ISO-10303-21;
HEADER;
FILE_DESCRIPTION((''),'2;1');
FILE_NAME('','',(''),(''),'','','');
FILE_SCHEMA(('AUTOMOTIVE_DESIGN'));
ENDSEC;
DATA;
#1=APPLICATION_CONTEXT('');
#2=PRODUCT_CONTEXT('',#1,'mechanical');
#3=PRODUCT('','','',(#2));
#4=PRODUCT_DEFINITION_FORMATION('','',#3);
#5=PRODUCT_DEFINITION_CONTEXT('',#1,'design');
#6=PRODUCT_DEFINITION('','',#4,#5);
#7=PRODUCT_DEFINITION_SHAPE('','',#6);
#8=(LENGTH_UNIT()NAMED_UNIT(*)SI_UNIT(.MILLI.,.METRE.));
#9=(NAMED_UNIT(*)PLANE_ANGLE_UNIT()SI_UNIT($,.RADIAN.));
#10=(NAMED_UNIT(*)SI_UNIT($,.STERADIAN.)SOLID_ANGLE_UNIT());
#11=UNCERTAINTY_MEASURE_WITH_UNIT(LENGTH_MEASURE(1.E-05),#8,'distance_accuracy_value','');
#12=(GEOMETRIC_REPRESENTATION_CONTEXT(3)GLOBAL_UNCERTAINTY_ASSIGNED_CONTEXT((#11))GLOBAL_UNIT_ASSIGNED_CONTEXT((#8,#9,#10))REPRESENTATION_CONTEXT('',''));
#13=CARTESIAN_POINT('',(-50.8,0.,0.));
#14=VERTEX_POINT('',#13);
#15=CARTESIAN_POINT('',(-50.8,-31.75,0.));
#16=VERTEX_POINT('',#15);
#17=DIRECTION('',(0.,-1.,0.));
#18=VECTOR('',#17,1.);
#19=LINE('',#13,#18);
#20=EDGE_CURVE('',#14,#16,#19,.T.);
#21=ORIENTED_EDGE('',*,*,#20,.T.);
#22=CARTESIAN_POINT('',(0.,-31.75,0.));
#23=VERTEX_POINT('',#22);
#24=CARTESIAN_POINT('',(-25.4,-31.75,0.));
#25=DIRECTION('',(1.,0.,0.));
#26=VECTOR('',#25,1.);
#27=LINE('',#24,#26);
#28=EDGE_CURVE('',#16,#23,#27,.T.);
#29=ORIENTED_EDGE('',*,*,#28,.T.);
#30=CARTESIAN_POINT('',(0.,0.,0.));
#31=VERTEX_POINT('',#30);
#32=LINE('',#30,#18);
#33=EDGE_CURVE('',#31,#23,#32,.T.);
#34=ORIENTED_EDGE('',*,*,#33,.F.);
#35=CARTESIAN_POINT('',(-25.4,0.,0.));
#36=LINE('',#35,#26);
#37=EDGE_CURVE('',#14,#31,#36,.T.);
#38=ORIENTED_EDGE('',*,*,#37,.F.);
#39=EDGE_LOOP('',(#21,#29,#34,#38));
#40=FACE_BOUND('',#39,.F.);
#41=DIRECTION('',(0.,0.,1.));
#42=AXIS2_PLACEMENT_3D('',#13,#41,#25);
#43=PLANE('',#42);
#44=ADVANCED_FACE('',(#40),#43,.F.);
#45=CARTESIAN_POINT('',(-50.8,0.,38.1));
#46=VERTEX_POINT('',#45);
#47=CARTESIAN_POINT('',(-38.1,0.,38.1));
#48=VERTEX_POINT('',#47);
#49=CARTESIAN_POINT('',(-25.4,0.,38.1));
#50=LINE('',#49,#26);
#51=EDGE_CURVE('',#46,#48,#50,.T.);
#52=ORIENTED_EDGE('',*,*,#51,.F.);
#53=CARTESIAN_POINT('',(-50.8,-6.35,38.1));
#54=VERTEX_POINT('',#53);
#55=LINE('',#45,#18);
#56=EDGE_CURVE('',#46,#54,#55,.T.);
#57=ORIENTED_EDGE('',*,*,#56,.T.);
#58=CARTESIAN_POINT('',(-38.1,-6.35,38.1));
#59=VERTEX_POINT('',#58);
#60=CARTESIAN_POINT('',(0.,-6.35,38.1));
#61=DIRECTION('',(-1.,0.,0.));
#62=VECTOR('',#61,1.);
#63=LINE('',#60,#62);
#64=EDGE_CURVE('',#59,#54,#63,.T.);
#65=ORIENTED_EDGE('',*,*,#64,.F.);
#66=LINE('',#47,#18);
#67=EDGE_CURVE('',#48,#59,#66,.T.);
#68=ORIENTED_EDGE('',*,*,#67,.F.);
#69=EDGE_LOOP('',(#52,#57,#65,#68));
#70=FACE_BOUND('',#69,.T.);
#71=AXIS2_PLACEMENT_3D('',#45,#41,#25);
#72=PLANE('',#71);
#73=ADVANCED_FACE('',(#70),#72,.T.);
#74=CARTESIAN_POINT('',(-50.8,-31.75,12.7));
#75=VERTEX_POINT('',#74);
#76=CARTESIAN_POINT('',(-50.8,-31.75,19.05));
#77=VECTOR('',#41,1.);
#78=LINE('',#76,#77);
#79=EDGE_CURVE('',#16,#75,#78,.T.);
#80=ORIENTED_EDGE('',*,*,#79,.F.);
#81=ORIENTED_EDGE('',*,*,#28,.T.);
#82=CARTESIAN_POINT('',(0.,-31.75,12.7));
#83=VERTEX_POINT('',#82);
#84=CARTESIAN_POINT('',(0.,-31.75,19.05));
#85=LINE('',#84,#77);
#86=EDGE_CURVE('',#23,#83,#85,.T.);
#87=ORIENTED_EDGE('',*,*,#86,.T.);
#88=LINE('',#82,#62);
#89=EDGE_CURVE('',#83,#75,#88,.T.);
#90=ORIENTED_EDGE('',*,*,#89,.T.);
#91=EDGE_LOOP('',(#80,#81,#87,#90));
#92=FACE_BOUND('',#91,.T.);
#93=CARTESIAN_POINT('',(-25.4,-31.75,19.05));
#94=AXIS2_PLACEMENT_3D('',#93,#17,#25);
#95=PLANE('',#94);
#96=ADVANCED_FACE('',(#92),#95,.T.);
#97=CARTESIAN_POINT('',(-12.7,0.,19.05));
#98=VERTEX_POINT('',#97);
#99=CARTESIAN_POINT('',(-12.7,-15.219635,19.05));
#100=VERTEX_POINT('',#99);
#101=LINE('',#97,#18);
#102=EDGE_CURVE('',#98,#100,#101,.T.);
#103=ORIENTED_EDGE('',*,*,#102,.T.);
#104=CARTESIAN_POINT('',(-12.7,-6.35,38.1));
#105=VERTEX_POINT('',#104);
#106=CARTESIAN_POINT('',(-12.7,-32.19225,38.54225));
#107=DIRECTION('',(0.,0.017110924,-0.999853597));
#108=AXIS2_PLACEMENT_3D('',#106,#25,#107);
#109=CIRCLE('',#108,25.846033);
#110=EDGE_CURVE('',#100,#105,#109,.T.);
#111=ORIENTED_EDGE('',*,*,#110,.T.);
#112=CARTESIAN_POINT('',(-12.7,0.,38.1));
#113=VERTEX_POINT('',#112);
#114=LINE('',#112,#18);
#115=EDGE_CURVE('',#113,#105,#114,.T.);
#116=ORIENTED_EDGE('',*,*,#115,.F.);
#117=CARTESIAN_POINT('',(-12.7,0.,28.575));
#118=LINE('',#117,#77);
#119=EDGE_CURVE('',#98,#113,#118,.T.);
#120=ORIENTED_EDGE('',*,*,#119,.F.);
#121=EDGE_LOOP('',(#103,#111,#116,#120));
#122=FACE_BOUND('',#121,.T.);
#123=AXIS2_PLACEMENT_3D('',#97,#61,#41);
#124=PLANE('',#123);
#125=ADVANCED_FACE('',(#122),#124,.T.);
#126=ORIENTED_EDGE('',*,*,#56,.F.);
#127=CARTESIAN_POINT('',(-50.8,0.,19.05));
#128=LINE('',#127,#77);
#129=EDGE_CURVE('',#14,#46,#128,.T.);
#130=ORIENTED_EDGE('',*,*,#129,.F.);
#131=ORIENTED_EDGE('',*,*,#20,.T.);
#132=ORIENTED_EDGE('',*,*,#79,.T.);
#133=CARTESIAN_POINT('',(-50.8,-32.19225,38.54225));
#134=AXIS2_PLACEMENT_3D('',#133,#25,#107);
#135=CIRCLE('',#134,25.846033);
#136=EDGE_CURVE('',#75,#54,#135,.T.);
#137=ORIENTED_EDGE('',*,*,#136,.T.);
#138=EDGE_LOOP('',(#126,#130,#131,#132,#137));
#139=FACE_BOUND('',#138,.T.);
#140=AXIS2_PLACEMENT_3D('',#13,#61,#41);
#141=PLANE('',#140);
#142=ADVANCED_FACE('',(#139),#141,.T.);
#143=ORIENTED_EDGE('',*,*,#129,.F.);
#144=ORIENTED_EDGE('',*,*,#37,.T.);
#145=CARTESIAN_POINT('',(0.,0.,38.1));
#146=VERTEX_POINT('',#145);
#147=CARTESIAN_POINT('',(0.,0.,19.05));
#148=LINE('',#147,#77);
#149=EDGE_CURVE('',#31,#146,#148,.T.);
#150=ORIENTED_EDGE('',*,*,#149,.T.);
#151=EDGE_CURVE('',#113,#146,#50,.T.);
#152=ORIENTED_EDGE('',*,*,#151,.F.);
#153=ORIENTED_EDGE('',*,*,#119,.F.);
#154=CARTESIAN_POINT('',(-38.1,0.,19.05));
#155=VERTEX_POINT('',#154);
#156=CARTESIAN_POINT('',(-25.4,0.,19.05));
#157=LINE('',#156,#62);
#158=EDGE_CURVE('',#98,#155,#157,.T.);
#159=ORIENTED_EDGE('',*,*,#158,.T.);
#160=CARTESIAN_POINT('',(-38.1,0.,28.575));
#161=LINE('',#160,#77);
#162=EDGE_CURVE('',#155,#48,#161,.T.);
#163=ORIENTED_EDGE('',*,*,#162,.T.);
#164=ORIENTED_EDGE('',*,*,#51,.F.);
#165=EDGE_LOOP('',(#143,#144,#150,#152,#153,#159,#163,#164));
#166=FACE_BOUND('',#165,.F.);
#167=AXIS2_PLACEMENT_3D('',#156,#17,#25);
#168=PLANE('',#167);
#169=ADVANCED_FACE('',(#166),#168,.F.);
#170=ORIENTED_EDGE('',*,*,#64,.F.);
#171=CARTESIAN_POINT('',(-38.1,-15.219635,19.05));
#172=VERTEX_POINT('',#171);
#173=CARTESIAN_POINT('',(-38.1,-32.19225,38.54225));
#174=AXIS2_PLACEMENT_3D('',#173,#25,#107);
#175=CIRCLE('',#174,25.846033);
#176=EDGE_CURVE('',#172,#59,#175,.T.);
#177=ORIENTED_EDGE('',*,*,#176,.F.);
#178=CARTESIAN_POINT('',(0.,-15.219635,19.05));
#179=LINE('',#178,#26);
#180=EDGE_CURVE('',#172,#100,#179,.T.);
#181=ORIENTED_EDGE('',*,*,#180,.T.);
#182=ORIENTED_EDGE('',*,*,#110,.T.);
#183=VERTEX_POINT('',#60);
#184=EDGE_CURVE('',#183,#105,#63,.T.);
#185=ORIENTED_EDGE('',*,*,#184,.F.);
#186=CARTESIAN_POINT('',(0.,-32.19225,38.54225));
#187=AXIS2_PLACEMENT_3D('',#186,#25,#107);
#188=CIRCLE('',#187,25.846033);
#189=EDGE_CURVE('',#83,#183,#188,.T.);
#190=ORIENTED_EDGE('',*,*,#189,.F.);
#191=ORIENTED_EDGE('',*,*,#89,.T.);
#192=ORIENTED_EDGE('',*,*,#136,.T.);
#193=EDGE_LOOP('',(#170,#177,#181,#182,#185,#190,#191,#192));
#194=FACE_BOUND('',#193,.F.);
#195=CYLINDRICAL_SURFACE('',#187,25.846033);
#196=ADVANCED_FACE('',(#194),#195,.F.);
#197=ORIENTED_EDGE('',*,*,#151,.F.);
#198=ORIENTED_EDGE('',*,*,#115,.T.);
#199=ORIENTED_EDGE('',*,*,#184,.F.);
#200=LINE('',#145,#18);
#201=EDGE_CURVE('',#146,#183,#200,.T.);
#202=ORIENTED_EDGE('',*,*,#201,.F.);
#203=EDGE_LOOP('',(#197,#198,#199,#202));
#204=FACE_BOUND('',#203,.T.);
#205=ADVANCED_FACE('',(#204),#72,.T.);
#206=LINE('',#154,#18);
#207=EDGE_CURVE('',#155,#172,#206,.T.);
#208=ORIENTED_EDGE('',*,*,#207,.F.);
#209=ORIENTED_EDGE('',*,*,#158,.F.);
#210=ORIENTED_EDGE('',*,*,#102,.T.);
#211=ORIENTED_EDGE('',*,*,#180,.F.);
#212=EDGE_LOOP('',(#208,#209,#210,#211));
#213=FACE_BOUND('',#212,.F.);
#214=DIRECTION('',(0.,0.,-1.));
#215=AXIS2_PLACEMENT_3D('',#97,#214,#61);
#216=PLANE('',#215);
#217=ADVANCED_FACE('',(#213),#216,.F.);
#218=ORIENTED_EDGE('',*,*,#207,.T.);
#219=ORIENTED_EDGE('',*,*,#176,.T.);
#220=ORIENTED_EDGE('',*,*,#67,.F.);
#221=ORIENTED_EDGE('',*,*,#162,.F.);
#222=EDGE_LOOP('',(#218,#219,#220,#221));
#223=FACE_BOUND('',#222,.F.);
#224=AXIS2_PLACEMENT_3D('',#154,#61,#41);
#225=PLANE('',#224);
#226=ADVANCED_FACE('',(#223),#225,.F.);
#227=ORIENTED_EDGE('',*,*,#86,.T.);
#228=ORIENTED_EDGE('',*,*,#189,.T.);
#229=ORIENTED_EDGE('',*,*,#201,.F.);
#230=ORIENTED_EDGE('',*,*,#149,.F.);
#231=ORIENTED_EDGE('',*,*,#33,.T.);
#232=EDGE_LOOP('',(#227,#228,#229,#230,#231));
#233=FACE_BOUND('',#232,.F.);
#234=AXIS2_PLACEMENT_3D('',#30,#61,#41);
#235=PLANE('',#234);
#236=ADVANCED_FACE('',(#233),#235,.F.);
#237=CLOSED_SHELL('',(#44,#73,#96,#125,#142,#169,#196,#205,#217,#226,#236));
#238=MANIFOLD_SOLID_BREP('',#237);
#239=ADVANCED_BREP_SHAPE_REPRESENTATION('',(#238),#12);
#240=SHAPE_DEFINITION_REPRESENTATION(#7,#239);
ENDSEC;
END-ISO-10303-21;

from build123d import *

# Parameters (mm, degrees)
F0_W     = 50.8
F0_H     = 38.1
F1_DEPTH = 31.75
F3_DEPTH = 50.801
F4_W     = 25.4
F4_H     = 19.05
F5_DEPTH = 25.4


with BuildPart() as f1:
    # F0 (on Front) → F1 (new body)
    with BuildSketch(Plane.XZ):
        with Locations((-25.4, 19.05)):
            Rectangle(F0_W, F0_H)
    extrude(amount=F1_DEPTH)

    # F2 (on face) → F3 (cut, through all)
    with BuildSketch(Plane.YZ):
        with BuildLine():
            Line((-31.75, 38.1), (-31.75, 12.7))
            ThreePointArc((-31.75, 12.7), (-13.916344, 20.266344), (-6.35, 38.1))
            Line((-6.35, 38.1), (-31.75, 38.1))
        make_face()
    extrude(amount=-F3_DEPTH, mode=Mode.SUBTRACT)

    # F4 (on face) → F5 (cut)
    with BuildSketch(Plane(origin=(0, 0, 0), x_dir=(-1, 0, 0), z_dir=(0, 1, 0))):
        with Locations((25.4, 28.575)):
            Rectangle(F4_W, F4_H)
    extrude(amount=-F5_DEPTH, mode=Mode.SUBTRACT)


solid = f1.part
